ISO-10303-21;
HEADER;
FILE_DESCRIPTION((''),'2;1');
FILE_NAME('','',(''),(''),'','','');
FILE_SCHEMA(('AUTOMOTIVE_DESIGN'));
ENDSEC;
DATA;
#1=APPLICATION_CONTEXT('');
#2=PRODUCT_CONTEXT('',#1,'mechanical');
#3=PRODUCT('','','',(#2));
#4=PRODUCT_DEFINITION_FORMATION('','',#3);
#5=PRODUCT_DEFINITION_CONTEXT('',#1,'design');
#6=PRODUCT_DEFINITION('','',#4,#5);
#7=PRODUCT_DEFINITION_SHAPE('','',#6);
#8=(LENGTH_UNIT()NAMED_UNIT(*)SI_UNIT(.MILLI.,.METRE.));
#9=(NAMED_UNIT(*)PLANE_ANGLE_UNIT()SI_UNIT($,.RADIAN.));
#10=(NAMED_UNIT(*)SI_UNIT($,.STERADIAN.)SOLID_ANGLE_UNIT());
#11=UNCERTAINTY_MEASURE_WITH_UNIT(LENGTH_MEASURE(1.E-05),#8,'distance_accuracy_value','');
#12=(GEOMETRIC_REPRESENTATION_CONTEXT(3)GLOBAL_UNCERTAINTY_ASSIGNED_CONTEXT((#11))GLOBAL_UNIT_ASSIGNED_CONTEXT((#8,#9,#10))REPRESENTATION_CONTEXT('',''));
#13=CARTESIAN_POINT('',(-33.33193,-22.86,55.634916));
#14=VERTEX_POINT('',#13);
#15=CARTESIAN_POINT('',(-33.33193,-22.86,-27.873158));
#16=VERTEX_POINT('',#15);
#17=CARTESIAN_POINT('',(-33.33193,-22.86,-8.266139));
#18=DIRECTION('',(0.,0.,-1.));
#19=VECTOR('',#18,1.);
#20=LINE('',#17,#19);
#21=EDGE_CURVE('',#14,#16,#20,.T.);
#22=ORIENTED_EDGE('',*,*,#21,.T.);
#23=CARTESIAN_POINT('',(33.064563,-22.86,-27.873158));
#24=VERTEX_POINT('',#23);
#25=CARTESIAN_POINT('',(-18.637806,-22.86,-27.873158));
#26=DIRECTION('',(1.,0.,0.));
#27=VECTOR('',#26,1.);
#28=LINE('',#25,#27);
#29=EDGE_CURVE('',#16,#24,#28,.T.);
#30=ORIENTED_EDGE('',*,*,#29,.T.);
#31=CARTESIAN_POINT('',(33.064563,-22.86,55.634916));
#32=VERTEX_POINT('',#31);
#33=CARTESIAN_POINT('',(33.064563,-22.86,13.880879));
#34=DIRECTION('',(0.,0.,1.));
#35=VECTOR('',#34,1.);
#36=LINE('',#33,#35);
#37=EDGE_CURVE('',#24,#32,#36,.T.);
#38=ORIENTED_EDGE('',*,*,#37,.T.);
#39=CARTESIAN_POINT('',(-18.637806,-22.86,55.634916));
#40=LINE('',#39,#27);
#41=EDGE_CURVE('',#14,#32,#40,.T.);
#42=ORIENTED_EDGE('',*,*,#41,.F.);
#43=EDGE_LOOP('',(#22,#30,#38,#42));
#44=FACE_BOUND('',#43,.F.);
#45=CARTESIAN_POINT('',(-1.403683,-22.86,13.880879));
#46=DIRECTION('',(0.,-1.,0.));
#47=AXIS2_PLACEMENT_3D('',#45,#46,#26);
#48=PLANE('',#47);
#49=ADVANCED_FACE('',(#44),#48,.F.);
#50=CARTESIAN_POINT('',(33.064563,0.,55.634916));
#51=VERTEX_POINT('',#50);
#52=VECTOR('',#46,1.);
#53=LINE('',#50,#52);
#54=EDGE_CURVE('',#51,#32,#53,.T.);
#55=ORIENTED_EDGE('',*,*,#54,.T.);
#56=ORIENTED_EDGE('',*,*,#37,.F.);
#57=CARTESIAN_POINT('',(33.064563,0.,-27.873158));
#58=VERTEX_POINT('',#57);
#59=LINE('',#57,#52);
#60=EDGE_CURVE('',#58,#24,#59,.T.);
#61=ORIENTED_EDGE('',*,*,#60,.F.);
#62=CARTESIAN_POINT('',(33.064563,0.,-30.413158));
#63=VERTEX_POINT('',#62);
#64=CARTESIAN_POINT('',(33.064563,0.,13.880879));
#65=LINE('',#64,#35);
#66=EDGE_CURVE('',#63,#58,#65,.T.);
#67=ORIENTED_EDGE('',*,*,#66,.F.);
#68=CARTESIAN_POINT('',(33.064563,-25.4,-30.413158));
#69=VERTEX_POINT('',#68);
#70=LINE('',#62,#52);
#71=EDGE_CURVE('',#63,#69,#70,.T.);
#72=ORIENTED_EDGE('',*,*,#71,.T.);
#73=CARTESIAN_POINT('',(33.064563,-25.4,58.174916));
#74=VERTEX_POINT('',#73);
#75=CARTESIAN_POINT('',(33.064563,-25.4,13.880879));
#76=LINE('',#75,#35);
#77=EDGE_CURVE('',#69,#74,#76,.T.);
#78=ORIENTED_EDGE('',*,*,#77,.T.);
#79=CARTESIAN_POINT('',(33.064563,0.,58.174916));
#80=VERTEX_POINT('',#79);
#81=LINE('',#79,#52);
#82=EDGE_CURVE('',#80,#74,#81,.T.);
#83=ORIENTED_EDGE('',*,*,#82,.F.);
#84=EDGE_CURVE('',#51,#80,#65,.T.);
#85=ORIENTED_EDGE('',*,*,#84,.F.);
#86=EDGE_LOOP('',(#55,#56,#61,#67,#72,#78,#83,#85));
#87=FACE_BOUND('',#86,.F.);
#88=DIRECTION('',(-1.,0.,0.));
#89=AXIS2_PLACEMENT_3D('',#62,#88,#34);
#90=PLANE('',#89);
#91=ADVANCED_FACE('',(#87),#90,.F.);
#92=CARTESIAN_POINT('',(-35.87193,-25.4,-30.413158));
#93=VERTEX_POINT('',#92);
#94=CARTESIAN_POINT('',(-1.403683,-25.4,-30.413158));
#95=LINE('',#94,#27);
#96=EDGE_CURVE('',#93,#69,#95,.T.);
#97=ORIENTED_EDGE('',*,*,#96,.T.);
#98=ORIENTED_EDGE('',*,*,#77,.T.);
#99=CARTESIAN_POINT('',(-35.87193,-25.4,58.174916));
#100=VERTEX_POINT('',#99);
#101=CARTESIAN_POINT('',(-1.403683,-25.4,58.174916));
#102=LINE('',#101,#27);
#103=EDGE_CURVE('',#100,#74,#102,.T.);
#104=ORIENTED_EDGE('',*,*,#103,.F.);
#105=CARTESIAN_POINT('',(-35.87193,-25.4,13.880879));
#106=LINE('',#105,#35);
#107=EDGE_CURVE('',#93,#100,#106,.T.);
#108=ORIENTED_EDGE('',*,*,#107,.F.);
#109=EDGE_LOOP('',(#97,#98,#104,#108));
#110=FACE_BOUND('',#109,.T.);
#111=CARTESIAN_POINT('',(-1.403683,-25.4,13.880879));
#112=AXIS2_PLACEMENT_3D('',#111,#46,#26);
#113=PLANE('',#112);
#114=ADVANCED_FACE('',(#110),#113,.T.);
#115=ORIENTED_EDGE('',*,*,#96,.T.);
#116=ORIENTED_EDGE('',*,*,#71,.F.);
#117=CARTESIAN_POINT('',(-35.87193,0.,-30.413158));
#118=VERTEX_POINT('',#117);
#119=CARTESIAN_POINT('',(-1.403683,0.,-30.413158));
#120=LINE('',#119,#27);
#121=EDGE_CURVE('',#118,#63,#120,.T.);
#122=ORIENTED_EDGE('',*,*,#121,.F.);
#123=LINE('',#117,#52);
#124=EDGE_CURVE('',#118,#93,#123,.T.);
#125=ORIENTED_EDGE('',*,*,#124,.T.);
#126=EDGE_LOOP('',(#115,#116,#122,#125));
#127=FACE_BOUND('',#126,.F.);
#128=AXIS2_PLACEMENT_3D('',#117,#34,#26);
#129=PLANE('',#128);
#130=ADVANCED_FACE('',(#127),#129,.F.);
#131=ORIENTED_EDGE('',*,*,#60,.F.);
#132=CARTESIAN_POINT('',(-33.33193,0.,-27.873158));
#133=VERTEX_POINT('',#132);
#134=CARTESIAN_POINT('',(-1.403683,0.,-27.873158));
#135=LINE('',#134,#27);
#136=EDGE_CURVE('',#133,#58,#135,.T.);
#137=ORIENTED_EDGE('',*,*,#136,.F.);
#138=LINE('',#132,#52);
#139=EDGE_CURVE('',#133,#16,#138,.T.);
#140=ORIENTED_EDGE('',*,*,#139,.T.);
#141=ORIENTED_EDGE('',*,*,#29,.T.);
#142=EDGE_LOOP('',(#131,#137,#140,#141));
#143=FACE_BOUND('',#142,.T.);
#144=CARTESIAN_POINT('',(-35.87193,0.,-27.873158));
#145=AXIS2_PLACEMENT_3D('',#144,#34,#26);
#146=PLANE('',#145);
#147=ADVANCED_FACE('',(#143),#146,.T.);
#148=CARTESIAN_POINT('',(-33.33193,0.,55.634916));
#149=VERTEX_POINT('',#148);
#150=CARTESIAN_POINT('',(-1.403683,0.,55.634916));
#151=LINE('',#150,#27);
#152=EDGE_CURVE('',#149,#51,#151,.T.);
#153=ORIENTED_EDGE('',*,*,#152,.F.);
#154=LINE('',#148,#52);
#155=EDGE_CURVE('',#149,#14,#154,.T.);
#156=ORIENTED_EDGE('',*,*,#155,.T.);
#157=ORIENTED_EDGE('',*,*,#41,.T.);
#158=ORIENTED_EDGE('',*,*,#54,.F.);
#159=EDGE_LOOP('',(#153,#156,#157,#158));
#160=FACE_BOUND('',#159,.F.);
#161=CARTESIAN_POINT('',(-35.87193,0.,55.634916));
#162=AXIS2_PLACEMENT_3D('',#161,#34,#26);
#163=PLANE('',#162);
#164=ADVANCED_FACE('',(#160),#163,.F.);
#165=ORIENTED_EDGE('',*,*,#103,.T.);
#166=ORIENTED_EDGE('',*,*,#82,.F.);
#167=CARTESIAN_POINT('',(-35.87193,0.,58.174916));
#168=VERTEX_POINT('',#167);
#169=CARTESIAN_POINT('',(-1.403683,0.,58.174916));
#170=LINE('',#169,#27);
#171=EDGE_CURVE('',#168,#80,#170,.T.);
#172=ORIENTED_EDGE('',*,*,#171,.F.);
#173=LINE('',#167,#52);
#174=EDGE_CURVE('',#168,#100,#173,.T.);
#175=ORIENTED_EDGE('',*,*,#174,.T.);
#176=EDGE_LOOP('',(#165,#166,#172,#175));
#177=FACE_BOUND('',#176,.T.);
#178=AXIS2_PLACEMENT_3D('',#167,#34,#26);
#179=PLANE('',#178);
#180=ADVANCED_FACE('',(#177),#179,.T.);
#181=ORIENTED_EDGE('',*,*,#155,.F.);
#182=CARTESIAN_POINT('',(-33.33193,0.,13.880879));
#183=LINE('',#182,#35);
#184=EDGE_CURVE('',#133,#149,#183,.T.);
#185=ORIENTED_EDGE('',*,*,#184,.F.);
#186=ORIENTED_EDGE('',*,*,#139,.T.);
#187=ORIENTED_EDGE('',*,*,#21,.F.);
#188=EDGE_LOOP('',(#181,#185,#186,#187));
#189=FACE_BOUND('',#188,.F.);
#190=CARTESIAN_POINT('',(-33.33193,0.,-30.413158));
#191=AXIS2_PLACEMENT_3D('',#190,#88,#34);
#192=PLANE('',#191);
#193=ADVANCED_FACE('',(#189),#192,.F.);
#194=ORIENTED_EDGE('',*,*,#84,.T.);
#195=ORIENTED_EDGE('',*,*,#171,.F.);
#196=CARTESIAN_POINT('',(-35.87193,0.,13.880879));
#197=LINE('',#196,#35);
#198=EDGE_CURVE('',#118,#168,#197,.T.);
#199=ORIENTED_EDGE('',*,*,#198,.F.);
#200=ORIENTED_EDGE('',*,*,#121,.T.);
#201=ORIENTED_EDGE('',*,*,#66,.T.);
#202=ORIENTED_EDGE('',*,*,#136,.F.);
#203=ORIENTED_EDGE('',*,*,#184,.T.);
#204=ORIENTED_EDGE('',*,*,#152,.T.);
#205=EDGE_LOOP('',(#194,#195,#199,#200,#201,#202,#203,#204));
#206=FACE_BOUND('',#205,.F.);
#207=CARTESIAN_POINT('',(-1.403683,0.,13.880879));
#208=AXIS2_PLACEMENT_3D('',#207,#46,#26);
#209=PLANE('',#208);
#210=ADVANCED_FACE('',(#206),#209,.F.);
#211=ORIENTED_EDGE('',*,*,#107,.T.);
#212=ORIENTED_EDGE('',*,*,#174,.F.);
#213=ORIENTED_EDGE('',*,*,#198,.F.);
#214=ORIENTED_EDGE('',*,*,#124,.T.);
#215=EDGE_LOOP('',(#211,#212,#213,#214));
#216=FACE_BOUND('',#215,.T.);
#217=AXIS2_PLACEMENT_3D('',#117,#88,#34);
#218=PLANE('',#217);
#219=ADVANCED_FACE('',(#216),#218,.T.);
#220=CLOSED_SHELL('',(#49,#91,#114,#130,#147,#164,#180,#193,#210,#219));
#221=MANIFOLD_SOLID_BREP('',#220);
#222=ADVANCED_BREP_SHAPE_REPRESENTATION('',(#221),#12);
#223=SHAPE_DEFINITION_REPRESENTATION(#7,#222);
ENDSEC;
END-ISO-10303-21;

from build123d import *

# Parameters (mm, degrees)
F0_W     = 68.936493
F0_H     = 88.588074
F1_DEPTH = 25.4
F2_T     = -2.54


with BuildPart() as f1:
    # F0 (on Front) → F1 (new body)
    with BuildSketch(Plane.XZ):
        with Locations((-1.403683, 13.880879)):
            Rectangle(F0_W, F0_H)
    extrude(amount=F1_DEPTH)

    # F2
    f2_openings = [f1.faces().sort_by_distance(p)[0] for p in [
        (33.064563, -12.7, 13.880879),
        (-1.403684, 0, 13.880879),
    ]]
    offset(amount=F2_T, openings=f2_openings)


solid = f1.part
